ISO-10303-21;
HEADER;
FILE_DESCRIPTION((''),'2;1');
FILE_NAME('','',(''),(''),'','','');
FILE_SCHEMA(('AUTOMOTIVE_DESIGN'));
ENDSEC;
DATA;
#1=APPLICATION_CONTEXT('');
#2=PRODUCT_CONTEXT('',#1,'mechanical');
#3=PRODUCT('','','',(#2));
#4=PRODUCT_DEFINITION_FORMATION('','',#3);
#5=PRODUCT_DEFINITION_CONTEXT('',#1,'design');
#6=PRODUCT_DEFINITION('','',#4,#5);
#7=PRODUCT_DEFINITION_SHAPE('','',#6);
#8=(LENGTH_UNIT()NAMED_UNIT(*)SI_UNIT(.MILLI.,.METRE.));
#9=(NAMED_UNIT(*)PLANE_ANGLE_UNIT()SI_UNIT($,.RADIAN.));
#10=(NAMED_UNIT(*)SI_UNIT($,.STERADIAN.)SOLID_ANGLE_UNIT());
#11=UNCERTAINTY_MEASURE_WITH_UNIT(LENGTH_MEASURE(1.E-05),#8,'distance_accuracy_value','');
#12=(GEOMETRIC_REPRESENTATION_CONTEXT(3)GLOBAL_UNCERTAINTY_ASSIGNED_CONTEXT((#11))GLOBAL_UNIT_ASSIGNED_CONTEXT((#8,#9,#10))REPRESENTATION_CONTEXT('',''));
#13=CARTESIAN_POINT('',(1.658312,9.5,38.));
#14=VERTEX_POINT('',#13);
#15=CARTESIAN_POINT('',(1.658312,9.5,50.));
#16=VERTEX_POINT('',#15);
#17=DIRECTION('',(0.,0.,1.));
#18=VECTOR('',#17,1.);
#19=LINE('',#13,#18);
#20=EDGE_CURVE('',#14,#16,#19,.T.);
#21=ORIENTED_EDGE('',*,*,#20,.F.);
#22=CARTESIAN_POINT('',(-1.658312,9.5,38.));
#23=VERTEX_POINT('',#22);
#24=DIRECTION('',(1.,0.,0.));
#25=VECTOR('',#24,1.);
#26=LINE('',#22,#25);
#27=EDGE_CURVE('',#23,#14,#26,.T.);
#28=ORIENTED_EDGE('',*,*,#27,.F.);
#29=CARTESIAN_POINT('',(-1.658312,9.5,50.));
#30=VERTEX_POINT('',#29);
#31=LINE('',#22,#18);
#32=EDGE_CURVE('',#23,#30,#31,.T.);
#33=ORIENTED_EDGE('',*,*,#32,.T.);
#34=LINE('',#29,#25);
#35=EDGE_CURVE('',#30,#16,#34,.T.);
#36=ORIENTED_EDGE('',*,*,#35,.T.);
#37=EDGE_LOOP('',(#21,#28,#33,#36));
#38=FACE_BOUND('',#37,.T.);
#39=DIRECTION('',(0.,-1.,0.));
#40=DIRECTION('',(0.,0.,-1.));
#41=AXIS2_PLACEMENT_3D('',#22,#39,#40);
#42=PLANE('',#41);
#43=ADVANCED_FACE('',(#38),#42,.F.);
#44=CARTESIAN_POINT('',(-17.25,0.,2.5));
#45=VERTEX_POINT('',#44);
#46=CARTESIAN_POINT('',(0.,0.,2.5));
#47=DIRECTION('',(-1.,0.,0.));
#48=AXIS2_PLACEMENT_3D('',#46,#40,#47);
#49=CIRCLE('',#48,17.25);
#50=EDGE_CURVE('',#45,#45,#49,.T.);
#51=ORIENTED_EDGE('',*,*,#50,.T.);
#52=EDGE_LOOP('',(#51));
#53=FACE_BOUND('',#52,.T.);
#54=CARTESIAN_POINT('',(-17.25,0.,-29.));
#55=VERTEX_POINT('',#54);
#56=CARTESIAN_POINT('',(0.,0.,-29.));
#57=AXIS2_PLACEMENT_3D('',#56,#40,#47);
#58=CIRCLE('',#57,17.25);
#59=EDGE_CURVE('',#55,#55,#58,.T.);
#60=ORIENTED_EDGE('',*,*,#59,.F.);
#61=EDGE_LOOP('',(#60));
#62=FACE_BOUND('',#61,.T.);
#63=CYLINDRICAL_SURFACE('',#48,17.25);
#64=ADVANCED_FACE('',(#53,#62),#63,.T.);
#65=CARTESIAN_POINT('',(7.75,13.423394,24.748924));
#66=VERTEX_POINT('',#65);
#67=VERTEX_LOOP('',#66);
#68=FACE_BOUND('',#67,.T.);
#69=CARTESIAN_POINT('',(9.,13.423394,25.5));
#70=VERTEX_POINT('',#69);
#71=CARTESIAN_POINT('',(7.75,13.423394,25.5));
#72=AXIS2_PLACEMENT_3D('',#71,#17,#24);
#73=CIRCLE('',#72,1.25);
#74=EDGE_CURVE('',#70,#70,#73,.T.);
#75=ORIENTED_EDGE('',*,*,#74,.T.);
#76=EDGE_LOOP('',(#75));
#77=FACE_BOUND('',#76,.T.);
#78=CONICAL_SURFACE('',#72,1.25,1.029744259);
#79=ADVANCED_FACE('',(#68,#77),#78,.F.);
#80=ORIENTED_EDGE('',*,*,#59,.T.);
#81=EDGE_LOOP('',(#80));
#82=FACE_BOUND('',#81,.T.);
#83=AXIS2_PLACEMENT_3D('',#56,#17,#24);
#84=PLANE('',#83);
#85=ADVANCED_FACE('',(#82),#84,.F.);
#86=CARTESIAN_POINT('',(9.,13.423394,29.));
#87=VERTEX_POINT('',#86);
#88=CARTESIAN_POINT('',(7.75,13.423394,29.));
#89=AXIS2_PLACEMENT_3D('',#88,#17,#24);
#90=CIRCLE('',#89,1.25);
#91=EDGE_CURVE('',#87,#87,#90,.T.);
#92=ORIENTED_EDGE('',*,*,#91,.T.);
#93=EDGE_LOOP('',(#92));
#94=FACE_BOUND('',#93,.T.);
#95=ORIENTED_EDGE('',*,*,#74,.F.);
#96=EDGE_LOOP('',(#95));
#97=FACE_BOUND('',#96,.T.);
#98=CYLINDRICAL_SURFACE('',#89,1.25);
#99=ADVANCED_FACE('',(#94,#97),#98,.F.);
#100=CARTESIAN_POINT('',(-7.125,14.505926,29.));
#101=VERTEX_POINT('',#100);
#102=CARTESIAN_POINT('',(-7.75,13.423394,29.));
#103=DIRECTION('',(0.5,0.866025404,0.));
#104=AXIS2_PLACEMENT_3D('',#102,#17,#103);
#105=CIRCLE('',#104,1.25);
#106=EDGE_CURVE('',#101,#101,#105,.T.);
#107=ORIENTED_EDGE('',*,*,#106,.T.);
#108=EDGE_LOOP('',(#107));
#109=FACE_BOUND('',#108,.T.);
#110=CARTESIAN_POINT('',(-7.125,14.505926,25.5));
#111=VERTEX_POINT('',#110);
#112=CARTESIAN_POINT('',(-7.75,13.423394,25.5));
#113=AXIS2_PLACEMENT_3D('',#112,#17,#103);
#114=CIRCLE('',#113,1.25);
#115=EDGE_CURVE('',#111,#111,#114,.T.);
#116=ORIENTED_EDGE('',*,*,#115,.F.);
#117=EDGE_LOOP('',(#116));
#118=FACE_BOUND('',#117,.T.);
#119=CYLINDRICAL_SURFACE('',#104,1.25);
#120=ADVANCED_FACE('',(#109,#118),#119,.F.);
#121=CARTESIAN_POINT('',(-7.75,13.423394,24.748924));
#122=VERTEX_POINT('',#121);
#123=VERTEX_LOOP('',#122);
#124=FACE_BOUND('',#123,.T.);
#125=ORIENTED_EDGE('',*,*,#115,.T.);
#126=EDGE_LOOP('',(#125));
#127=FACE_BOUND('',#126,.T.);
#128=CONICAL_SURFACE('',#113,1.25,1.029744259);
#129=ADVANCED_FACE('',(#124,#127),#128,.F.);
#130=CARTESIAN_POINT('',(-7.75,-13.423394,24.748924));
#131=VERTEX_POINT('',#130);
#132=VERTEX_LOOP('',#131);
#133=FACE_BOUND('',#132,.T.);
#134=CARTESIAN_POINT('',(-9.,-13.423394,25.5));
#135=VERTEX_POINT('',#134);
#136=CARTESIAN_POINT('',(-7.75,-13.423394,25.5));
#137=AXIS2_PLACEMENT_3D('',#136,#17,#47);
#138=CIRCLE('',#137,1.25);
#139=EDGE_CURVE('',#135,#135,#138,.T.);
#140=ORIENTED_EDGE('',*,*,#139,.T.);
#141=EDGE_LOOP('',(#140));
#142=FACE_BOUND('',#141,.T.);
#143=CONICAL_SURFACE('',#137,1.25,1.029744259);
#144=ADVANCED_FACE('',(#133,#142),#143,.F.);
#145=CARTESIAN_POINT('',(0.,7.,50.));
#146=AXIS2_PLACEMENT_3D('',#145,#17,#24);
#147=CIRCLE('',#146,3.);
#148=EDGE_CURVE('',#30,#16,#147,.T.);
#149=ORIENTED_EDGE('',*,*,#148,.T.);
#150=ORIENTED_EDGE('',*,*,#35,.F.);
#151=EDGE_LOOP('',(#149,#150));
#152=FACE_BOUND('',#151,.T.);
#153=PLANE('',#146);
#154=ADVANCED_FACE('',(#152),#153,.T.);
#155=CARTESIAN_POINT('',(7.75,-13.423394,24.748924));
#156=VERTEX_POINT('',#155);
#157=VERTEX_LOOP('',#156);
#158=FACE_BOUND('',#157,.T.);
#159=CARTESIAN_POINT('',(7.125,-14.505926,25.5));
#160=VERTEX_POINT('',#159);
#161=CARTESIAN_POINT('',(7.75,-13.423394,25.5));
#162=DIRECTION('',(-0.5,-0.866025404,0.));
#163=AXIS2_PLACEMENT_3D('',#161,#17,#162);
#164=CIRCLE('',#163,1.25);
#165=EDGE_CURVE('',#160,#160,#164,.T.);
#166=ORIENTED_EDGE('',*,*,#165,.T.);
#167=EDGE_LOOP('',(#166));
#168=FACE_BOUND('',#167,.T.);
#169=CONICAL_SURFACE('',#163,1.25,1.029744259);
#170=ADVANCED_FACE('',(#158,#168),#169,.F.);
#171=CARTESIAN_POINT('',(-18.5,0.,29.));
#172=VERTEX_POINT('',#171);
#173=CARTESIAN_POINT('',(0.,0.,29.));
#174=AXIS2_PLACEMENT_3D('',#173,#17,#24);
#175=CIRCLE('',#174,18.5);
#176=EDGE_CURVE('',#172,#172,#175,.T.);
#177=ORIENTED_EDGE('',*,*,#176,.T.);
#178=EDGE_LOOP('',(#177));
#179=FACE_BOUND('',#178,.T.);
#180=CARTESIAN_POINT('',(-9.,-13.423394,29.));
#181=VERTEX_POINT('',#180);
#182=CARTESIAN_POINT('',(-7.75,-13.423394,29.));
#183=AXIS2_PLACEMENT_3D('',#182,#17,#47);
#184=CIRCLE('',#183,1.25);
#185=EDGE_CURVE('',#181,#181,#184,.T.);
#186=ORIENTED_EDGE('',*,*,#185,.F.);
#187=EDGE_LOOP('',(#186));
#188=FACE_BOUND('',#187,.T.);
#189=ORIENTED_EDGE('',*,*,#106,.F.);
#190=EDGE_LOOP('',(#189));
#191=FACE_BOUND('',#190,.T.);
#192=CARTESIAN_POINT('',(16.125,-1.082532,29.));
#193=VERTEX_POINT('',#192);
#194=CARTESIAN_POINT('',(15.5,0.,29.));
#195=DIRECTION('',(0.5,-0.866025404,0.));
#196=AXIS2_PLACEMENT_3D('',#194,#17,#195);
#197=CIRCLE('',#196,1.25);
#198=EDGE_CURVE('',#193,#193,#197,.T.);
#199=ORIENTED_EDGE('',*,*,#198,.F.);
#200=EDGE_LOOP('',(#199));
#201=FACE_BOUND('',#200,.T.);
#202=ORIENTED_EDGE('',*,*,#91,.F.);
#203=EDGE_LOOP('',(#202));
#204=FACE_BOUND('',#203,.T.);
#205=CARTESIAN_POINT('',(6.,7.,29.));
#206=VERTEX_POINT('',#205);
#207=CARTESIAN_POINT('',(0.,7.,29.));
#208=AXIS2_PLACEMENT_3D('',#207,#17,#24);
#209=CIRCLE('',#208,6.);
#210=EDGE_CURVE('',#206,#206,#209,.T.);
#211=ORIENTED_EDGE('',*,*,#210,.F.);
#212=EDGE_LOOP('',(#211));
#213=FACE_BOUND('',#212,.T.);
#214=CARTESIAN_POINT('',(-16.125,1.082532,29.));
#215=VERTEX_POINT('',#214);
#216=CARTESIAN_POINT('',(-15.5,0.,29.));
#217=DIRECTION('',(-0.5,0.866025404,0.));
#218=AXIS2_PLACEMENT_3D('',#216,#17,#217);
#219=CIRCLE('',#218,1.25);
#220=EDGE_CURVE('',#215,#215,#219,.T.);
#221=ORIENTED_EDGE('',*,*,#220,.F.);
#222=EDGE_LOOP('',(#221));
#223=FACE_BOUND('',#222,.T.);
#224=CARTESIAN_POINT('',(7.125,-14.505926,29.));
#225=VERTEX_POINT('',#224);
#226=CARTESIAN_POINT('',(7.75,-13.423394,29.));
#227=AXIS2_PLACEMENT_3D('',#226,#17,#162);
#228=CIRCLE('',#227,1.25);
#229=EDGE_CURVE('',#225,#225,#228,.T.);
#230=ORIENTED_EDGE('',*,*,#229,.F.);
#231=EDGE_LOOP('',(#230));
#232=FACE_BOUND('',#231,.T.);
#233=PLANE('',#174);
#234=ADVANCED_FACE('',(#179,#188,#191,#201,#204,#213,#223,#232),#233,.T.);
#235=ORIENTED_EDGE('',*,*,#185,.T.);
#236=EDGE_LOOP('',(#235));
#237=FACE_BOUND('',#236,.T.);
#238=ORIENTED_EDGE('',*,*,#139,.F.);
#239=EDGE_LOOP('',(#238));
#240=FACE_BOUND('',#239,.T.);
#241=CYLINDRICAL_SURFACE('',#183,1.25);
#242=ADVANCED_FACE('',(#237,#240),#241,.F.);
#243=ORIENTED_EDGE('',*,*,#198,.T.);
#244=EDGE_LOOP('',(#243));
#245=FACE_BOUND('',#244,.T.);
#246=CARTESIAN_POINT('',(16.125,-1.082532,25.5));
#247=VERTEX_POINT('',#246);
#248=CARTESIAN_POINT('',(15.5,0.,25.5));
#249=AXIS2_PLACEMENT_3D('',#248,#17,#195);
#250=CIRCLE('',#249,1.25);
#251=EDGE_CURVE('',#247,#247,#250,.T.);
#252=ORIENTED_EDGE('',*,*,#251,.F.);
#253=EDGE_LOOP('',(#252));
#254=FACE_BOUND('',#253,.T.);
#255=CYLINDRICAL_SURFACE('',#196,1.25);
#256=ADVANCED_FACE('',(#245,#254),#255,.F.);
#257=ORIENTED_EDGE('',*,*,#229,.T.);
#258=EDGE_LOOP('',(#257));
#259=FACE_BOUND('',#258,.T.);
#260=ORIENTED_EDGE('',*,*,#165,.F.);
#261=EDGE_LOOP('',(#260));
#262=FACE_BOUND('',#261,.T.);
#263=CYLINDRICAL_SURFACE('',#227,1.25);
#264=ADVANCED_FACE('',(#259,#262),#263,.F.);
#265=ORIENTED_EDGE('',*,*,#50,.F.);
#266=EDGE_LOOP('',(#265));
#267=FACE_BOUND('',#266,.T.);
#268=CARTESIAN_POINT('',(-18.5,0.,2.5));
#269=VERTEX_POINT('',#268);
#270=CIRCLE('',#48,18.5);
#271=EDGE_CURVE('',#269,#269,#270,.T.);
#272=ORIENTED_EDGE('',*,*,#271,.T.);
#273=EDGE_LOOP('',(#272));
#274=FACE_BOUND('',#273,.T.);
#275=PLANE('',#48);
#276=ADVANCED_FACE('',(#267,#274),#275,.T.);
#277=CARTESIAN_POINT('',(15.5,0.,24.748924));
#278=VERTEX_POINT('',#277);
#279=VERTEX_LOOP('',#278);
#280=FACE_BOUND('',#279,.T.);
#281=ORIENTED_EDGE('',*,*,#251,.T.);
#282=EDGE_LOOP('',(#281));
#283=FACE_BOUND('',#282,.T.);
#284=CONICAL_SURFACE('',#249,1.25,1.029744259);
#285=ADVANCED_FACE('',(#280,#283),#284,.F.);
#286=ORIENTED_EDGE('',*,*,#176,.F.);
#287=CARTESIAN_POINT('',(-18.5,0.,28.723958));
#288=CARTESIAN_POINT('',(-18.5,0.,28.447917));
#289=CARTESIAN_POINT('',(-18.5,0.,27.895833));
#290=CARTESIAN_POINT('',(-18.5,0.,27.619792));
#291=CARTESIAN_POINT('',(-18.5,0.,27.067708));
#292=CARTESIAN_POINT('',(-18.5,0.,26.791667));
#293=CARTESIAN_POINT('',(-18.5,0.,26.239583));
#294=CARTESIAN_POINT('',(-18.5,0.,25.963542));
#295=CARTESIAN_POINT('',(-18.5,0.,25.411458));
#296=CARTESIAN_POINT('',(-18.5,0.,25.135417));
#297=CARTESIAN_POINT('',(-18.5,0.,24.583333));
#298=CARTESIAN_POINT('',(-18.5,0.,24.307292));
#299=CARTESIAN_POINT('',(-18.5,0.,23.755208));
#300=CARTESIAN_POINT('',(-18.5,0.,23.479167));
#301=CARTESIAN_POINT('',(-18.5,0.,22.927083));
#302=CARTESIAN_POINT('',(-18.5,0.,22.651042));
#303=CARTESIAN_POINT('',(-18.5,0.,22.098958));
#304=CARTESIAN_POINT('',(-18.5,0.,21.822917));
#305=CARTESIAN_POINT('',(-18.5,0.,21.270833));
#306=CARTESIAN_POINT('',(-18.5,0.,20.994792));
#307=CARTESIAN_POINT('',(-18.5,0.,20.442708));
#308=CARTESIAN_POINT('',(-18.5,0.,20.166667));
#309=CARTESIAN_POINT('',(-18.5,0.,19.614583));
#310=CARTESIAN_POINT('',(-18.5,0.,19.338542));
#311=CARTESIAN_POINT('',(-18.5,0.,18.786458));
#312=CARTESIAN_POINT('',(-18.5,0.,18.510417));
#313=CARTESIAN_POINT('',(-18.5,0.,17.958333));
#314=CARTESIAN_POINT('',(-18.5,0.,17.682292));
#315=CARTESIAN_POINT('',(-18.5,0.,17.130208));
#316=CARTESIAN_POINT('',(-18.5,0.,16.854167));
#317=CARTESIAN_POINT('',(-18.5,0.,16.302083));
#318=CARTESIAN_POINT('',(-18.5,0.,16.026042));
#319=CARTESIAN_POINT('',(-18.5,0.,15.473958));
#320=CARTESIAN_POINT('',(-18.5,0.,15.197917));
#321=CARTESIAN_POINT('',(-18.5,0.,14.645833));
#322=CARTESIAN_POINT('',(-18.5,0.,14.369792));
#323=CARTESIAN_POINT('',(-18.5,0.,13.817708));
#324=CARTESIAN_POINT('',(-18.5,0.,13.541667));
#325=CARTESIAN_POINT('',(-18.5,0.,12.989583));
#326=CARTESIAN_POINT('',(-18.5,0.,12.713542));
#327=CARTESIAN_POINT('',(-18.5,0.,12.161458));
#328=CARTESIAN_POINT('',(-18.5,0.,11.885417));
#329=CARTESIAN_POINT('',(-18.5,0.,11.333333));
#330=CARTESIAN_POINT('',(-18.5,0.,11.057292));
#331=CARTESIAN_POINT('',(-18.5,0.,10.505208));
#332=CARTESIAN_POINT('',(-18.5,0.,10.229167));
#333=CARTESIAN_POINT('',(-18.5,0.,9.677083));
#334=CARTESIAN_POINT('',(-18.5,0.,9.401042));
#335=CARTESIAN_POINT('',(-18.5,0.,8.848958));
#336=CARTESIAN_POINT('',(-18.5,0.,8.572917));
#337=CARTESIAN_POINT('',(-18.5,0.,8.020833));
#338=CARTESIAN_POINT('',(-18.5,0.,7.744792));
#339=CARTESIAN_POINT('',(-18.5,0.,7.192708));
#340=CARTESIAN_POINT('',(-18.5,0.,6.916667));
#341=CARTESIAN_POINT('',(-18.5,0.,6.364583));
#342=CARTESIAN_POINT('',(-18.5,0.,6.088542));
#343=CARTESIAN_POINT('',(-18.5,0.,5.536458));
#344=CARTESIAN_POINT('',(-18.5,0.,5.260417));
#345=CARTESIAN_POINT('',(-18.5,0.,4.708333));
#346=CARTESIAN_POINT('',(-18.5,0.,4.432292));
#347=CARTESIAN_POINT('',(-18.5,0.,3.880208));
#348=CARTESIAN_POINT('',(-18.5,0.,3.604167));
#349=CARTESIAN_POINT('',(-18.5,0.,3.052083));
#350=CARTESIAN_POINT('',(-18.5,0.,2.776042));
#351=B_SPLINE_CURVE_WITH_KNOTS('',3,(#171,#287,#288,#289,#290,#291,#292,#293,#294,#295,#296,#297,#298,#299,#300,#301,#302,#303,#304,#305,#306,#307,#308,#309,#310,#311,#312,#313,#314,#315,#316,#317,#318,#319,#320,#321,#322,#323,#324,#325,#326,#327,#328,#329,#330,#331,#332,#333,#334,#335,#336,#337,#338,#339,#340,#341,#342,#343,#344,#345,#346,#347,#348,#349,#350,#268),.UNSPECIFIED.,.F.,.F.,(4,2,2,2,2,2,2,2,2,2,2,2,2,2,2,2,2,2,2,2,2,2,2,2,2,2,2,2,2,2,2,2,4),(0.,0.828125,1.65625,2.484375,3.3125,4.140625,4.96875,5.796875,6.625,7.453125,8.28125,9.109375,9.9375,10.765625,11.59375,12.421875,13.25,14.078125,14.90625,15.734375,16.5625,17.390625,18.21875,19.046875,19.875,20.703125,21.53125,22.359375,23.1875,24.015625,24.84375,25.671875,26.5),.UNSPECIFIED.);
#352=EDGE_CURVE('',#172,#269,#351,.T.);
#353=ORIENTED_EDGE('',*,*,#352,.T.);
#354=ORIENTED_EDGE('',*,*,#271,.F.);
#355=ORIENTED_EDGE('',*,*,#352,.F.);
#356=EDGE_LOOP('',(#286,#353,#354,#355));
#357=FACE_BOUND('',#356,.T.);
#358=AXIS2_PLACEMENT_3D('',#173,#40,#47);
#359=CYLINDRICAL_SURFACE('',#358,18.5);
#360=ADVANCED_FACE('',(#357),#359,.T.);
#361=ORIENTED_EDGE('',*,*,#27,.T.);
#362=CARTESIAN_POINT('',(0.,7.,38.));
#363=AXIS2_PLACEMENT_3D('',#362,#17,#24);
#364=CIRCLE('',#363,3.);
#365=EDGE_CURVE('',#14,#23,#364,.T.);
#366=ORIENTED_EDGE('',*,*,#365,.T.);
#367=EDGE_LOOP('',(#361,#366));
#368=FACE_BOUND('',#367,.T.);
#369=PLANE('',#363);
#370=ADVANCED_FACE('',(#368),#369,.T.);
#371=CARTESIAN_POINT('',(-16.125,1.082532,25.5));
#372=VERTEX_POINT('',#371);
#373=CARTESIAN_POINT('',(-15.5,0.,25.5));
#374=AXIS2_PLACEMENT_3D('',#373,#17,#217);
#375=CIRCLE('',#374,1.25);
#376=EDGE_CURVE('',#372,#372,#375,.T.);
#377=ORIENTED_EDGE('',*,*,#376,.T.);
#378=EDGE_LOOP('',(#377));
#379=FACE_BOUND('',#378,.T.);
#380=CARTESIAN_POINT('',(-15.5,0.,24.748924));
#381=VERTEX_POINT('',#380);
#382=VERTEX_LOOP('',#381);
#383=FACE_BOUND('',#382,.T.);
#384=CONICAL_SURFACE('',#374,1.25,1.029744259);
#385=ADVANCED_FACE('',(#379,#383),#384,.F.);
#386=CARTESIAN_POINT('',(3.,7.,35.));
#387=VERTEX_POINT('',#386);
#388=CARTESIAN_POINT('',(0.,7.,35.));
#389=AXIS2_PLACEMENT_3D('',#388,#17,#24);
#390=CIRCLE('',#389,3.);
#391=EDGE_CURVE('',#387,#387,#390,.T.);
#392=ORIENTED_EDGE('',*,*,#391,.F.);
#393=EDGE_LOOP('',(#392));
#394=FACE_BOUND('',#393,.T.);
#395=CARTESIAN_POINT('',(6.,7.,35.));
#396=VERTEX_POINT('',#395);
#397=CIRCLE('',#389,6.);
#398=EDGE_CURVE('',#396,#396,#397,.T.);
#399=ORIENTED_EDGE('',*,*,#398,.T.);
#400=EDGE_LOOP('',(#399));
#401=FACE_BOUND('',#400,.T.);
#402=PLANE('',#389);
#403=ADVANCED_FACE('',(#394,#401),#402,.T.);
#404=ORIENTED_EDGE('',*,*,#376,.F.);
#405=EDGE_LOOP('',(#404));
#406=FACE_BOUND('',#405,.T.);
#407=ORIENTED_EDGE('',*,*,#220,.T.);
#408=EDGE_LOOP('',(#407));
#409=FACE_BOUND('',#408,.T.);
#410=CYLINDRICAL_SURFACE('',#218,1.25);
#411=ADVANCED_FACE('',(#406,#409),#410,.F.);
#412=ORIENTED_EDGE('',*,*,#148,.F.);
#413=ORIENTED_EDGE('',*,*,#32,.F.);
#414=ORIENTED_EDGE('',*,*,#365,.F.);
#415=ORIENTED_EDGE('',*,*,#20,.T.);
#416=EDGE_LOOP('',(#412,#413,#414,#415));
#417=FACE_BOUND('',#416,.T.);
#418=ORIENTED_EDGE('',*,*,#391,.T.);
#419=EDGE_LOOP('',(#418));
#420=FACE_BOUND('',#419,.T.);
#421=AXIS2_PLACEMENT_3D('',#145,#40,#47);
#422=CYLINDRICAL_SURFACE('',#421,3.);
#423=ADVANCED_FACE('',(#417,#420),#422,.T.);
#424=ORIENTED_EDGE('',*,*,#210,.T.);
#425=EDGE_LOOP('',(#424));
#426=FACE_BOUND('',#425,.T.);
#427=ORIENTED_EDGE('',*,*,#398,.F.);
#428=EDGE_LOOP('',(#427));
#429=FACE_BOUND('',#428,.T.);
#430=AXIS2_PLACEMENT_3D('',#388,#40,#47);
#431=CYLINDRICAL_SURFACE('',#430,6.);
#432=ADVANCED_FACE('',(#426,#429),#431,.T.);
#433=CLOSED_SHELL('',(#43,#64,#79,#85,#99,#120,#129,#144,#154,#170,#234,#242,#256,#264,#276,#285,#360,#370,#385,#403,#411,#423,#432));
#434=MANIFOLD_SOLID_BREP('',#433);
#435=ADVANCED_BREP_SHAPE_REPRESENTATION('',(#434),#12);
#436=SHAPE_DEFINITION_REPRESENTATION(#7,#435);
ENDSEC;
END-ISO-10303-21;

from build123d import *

# Parameters (mm, degrees)
SKETCH1_R           = 18.5
BOSS_EXTRUDE1_DEPTH = 29
CUT_EXTRUDE1_START  = -31.5
SKETCH2_R           = 18.5
SKETCH2_R_2         = 17.25
CUT_EXTRUDE1_DEPTH  = 31.5
SKETCH3_R           = 6
BOSS_EXTRUDE2_DEPTH = 6
SKETCH4_R           = 3
BOSS_EXTRUDE3_DEPTH = 15
CUT_EXTRUDE2_START  = -12
CUT_EXTRUDE2_DEPTH  = 12
CIRPATTERN1_COUNT   = 6


with BuildPart() as part:
    # Sketch1 → Boss-Extrude1 (new, symmetric)
    with BuildSketch(Plane.XY):
        with Locations(Location((0, 0, 0), (0, 0, 180))):
            Circle(SKETCH1_R)
    extrude(amount=BOSS_EXTRUDE1_DEPTH, both=True)

    # Sketch2 → Cut-Extrude1 (cut)
    with BuildSketch(Plane(origin=(0, 0, -29), x_dir=(-1, 0, 0), z_dir=(0, 0, -1)).offset(CUT_EXTRUDE1_START)):
        Circle(SKETCH2_R)
        Circle(SKETCH2_R_2, mode=Mode.SUBTRACT)
    extrude(amount=CUT_EXTRUDE1_DEPTH, mode=Mode.SUBTRACT)

    # Sketch3 → Boss-Extrude2 (add)
    with BuildSketch(Plane.XY.offset(29)):
        with Locations((0, 7)):
            Circle(SKETCH3_R)
    extrude(amount=BOSS_EXTRUDE2_DEPTH)

    # Sketch4 → Boss-Extrude3 (add)
    with BuildSketch(Plane.XY.offset(35)):
        with Locations((0, 7)):
            Circle(SKETCH4_R)
    extrude(amount=BOSS_EXTRUDE3_DEPTH)

    # Sketch5 → Cut-Extrude2 (cut)
    with BuildSketch(Plane.XY.offset(50).offset(CUT_EXTRUDE2_START)):
        with BuildLine():
            Line((-1.658312395, 9.5), (1.658312395, 9.5))
            ThreePointArc((1.658312395, 9.5), (0, 10), (-1.658312395, 9.5))
        make_face()
    extrude(amount=CUT_EXTRUDE2_DEPTH, mode=Mode.SUBTRACT)

    # Sketch7 → M3x0.5 Tapped Hole1 (revolve, cut)
    with BuildSketch(Plane(origin=(7.75, 13.423393759, 29), x_dir=(0, -1, 0), z_dir=(1, 0, 0))):
        Polygon((0, 0), (0, 4.251075774), (1.25, 3.5), (1.25, 0), align=None)
    m3x0_5_tapped_hole1 = revolve(axis=Axis((7.75, 13.423393759, 35.35), (0, 0, -1)), mode=Mode.SUBTRACT)

    # CirPattern1: M3x0.5 Tapped Hole1 ×6 about axis
    cirpattern1_axis = Axis((0, 0, 0), (0, 0, 1))
    for i in range(1, CIRPATTERN1_COUNT):
        add(m3x0_5_tapped_hole1.rotate(cirpattern1_axis, i * 360 / CIRPATTERN1_COUNT), mode=Mode.SUBTRACT)


solid = part.part
